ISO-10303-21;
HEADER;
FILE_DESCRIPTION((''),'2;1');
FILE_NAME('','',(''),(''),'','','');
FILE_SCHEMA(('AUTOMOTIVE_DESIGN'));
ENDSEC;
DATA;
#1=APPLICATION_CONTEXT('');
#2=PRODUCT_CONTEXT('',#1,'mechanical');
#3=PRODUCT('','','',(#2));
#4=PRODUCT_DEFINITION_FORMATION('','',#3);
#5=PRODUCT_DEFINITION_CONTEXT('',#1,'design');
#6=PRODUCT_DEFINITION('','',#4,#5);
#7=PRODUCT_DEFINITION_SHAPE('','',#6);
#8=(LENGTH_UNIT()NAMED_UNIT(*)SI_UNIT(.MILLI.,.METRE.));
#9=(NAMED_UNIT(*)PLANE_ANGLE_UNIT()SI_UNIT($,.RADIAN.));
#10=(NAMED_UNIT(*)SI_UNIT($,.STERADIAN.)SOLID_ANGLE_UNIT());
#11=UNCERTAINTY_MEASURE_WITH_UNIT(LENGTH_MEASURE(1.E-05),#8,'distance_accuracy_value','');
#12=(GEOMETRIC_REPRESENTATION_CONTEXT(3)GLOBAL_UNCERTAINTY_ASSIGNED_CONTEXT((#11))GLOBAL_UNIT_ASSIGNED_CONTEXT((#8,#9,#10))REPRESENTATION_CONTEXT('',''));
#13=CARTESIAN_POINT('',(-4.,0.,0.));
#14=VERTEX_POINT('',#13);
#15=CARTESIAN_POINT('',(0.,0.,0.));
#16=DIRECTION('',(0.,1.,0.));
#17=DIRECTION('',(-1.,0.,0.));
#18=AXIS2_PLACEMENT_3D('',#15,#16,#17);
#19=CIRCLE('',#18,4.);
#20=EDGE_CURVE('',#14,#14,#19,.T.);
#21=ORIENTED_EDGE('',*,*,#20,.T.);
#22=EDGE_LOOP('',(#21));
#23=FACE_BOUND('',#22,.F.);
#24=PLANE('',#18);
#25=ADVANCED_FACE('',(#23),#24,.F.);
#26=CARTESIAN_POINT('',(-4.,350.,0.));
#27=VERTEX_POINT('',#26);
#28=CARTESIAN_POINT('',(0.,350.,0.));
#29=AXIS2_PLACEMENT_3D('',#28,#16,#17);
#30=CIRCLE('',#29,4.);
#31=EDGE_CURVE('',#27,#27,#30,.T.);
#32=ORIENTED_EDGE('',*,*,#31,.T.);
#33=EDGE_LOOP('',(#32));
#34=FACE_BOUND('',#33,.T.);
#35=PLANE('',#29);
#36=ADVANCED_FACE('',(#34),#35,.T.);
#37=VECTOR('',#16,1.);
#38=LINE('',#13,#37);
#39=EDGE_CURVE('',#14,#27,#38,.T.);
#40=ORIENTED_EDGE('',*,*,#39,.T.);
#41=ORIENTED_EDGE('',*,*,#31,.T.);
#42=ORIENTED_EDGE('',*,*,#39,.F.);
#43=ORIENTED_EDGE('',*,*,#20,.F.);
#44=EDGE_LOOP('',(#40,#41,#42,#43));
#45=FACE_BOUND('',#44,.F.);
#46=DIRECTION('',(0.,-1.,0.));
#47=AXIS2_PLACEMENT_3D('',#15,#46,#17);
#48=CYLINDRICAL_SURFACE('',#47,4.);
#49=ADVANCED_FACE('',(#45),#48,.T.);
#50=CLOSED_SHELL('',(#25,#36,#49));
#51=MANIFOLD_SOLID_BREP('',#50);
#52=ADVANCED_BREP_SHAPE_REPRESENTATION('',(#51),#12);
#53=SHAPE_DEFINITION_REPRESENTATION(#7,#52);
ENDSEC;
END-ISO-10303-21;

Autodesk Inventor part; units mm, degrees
ref_plane "YZ Plane" through (0, 0, 0) normal (1, 0, 0) x (0, 1, 0)
ref_plane "XY Plane" through (0, 0, 0) normal (0, 0, 1) x (1, 0, 0)
ref_plane "Bottom Plane" through (0, 0, 0) normal (0, 1, 0) x (-1, 0, 0)
sketch "Sketch1" plane through (0, 0, 0) normal (0, 1, 0) x (-1, 0, 0)
  circle A0 centre (0, 0) radius 4
  dimension "Diameter" = 8
ref_plane "Top Plane" through (0, 350, 0) normal (0, 1, 0) x (-1, 0, 0)
extrude "Extrusion2" add sketch "Sketch1" along normal up to surface (350 mm away) from surface at 0
thread "Thread2" size "TR8x1.5" class "7e" standard "ISO Metric Trapezoidal Threads" full length
properties part number "350 mm TR8 Lead Screw" material "Stainless Steel"
